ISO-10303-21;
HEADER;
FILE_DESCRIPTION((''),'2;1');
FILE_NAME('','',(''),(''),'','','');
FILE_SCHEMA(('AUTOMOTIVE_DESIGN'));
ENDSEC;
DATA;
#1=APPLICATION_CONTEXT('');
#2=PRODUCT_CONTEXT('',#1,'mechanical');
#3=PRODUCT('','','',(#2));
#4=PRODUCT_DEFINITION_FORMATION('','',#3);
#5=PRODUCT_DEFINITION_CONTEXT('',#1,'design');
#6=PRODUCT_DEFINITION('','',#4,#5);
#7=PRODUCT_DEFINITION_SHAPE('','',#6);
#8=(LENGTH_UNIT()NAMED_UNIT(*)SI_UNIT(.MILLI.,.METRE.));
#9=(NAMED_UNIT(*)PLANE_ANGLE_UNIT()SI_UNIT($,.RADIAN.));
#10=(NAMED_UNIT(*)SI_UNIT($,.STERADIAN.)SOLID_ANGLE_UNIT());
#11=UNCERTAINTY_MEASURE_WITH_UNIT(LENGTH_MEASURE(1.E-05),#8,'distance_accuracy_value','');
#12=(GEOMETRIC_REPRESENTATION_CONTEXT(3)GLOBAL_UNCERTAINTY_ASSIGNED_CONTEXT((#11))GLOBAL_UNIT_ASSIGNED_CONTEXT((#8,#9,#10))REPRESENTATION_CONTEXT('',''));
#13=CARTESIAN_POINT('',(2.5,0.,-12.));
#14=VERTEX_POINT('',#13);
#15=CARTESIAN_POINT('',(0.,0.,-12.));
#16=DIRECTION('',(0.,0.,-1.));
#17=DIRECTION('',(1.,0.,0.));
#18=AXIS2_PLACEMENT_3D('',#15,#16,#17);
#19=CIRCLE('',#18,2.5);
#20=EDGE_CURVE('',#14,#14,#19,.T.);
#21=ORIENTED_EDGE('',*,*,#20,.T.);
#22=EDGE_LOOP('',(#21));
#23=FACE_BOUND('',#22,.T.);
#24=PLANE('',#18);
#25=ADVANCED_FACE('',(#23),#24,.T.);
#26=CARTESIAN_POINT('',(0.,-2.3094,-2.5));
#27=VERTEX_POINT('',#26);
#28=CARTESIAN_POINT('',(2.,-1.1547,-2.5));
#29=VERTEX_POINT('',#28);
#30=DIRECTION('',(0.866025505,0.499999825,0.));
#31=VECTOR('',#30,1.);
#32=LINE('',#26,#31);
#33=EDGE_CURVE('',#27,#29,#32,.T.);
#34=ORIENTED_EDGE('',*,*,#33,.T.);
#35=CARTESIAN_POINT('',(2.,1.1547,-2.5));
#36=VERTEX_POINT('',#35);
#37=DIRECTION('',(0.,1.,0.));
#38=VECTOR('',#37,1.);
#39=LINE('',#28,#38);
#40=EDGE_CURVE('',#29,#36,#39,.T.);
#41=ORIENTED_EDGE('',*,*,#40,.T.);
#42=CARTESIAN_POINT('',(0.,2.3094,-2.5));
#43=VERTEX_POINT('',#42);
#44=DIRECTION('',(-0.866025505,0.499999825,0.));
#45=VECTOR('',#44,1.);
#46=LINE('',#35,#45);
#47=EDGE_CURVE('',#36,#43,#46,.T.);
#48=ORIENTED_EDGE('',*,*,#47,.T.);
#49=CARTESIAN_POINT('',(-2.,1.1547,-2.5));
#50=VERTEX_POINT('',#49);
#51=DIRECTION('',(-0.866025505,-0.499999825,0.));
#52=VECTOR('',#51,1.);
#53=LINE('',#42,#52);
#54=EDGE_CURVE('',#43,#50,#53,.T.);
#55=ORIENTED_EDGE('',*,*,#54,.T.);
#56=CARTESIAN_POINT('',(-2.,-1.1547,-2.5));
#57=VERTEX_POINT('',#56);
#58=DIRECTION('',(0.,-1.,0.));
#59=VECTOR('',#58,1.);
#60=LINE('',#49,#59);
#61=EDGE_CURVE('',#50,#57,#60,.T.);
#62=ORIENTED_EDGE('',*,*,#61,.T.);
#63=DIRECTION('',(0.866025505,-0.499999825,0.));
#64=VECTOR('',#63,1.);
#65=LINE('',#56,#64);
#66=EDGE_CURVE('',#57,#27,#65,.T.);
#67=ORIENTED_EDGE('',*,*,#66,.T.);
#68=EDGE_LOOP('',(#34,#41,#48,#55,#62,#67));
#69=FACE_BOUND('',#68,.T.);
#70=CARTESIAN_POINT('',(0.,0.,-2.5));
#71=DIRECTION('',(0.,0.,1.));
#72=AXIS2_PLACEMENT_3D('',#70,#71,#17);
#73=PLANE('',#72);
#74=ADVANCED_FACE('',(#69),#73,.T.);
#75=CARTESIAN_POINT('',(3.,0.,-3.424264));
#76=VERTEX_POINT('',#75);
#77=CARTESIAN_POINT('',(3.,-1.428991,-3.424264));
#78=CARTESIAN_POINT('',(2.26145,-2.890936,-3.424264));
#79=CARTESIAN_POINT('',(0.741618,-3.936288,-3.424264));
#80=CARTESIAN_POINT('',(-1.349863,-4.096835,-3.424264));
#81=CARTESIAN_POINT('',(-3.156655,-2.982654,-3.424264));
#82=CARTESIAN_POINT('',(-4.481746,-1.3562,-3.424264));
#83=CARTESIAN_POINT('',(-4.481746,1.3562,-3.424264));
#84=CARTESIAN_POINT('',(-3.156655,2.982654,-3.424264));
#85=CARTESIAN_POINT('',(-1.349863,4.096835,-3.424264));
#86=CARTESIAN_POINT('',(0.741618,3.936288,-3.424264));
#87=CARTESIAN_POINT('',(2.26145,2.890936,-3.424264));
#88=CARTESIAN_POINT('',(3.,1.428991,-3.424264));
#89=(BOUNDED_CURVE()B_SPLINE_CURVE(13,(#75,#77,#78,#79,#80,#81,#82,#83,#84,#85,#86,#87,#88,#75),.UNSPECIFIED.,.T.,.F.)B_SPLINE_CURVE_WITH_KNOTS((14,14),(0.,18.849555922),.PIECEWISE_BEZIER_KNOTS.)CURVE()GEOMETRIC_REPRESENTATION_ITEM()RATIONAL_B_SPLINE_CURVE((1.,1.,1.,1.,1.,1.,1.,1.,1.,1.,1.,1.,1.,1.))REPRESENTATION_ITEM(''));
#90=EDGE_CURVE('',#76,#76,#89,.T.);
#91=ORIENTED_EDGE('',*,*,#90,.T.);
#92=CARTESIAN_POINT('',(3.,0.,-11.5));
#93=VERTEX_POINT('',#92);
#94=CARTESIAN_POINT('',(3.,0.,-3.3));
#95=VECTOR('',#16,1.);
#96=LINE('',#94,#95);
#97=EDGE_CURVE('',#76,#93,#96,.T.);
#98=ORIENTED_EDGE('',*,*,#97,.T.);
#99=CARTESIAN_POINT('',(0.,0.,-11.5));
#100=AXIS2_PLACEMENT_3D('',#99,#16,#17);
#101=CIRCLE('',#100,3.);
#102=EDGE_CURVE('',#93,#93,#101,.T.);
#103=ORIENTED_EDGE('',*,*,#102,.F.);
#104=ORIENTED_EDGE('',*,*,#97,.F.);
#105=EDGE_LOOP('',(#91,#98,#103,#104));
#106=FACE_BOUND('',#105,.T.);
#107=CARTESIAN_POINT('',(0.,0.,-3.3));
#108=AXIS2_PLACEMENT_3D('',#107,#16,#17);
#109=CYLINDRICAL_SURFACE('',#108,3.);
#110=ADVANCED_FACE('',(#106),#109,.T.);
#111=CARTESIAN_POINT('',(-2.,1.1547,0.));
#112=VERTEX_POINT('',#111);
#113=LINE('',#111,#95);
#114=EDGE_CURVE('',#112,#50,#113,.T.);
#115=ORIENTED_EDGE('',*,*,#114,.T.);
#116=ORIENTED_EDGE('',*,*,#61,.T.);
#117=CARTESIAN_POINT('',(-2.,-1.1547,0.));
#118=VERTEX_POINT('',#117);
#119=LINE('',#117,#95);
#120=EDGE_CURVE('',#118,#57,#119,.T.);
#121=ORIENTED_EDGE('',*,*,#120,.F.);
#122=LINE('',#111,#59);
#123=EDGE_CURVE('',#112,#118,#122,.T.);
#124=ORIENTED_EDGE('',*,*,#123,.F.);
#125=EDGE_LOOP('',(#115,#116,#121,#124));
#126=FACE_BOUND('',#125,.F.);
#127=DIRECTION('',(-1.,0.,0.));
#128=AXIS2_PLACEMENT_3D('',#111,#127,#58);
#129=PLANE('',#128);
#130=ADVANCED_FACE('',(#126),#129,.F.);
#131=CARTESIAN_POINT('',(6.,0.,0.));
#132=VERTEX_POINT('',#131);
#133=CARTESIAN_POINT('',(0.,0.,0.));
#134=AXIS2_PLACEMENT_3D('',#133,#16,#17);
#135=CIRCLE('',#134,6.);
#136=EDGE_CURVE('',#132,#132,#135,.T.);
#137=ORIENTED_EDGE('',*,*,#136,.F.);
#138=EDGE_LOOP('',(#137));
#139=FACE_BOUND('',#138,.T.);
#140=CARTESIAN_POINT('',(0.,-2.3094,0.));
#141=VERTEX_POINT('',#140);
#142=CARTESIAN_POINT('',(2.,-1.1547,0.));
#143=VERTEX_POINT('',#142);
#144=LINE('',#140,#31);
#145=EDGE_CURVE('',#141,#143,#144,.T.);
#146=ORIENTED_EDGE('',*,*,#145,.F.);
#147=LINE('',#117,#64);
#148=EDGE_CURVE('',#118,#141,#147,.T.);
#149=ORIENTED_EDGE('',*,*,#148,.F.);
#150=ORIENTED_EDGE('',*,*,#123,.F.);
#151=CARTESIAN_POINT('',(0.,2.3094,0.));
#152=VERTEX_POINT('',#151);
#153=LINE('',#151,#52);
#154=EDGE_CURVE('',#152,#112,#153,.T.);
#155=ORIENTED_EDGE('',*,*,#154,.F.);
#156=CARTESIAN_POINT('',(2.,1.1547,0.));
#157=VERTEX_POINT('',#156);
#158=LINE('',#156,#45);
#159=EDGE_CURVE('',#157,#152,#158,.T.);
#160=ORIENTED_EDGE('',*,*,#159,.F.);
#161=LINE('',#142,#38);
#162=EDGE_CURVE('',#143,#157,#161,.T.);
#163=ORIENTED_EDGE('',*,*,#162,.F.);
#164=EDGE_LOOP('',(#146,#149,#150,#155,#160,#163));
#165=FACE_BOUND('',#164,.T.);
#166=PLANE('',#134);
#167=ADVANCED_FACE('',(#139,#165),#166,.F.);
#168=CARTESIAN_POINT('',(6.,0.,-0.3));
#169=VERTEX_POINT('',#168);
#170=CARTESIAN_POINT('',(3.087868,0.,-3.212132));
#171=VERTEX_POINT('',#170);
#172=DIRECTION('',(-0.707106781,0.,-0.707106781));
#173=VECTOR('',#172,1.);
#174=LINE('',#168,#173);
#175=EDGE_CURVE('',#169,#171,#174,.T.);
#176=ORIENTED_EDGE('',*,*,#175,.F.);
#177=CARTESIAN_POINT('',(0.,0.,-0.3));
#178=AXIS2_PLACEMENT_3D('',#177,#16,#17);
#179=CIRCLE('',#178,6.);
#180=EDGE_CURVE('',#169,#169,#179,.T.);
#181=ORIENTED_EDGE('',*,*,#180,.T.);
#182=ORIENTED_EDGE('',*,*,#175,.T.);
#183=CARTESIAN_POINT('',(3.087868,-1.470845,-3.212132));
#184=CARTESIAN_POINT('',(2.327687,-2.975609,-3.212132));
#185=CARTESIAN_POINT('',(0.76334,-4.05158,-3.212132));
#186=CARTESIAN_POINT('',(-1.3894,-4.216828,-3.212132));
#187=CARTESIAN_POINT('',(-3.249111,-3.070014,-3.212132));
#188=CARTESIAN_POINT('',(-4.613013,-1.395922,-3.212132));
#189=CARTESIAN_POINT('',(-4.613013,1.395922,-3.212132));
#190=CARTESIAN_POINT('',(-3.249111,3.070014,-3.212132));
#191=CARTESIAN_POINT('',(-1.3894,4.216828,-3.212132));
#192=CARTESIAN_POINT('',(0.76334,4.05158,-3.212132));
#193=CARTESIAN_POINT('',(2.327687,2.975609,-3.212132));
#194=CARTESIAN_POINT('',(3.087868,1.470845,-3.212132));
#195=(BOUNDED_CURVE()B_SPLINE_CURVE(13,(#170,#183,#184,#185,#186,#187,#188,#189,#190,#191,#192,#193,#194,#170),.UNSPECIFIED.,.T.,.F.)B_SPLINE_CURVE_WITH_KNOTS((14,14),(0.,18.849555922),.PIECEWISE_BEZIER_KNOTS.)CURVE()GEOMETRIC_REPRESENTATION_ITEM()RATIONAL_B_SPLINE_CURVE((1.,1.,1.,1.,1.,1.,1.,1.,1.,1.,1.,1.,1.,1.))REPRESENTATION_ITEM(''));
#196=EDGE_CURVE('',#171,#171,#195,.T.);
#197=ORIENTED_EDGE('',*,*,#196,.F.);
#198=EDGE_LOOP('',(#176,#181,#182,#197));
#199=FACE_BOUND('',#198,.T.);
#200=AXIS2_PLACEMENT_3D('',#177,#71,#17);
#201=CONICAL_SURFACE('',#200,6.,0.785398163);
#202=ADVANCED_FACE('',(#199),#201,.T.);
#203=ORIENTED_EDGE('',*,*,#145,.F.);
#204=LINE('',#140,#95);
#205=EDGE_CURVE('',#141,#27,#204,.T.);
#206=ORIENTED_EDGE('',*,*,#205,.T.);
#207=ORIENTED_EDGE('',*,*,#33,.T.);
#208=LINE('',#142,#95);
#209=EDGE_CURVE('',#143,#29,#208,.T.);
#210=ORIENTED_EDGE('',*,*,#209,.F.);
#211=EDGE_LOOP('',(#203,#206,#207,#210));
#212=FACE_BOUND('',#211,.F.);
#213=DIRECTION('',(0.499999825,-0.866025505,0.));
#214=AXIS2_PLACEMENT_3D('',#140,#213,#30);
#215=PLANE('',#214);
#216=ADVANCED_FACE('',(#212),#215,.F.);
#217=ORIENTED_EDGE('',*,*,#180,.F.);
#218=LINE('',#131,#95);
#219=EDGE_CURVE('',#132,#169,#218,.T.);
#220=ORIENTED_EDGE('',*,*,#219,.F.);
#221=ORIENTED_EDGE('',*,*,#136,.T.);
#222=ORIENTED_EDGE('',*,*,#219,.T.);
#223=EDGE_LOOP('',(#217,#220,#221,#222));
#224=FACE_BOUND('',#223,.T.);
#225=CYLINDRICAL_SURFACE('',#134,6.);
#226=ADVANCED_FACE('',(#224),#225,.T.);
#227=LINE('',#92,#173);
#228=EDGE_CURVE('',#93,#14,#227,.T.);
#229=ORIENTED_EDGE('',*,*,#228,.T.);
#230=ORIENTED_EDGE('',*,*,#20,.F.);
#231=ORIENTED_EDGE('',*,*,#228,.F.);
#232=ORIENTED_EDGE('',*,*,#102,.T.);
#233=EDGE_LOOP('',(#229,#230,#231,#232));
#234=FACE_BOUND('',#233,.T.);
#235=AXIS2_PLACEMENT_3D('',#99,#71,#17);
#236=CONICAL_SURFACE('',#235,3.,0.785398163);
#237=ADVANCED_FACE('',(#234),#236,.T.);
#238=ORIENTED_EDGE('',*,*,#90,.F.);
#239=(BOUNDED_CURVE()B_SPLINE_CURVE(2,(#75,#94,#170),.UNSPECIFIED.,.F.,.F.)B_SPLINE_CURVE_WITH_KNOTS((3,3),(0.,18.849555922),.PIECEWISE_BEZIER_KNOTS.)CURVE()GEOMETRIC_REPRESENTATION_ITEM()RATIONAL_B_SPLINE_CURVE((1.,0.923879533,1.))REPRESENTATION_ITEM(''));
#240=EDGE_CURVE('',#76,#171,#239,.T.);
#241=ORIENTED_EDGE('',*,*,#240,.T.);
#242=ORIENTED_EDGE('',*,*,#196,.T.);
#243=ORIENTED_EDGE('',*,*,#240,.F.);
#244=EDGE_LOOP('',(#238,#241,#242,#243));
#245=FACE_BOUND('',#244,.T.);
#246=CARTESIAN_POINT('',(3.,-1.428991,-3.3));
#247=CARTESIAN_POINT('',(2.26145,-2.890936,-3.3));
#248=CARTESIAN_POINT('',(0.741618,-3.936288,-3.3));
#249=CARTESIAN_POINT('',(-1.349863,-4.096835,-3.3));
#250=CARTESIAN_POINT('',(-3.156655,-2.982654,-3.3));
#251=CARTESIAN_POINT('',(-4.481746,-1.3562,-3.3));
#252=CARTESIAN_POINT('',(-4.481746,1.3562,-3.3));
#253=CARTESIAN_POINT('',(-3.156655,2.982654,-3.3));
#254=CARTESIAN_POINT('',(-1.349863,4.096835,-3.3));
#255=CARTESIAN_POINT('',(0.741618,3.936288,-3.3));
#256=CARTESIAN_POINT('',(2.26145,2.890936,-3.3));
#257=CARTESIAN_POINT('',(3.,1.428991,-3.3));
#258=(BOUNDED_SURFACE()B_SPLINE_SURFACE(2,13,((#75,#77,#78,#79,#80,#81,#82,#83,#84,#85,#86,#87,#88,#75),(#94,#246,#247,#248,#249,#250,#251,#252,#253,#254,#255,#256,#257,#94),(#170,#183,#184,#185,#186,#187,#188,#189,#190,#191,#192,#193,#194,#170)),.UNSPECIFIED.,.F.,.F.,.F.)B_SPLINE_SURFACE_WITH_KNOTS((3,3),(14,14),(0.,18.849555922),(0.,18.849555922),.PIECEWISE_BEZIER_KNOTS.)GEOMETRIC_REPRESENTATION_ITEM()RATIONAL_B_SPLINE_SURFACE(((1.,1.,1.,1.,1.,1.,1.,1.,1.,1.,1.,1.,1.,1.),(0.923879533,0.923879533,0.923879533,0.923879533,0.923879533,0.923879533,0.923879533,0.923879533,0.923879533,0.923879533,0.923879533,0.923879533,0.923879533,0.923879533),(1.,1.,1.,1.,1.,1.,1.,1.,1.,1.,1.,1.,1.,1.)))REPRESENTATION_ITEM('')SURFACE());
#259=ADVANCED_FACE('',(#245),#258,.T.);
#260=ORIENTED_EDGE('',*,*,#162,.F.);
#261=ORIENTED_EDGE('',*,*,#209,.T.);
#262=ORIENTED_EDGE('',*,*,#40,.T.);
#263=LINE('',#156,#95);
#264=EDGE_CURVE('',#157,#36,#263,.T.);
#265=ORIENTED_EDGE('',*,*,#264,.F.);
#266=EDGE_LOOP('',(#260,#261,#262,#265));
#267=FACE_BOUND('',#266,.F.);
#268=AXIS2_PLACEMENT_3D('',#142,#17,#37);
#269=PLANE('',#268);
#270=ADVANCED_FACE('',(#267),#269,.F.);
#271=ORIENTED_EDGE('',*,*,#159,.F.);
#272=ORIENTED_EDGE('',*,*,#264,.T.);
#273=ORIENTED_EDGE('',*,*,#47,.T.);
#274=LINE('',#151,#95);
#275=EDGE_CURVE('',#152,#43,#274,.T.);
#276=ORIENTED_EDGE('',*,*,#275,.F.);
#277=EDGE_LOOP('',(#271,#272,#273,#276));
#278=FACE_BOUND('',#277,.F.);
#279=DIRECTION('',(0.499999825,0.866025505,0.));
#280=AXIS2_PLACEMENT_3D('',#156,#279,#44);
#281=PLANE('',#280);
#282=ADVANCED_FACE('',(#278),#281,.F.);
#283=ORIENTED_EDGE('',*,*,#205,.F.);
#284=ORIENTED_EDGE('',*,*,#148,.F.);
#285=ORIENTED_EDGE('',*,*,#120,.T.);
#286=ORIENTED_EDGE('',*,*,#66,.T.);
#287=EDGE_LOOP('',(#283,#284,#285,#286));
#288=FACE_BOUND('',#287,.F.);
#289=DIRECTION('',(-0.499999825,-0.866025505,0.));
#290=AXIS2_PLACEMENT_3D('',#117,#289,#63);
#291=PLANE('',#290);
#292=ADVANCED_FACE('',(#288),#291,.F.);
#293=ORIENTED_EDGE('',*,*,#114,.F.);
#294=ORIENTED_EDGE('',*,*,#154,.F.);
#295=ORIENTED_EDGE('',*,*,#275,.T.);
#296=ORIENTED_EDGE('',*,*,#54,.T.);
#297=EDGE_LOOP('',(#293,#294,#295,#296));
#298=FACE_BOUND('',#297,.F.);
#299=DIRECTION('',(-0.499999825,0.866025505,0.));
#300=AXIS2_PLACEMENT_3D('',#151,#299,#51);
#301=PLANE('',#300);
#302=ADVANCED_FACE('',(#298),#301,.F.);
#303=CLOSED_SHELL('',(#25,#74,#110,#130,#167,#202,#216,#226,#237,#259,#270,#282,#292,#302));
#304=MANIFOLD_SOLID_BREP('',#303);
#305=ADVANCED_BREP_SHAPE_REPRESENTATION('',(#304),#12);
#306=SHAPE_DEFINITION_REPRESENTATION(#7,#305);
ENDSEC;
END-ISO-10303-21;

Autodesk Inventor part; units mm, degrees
ref_plane "YZ Plane" through (0, 0, 0) normal (1, 0, 0) x (0, 1, 0)
sketch "Sketch1" plane through (0, 0, 0) normal (0, 1, 0) x (-1, 0, 0)
  point P0 (0, 0)
sketch "Sketch2" plane through (0, 0, 0) normal (0, 1, 0) x (-1, 0, 0)
  line L0 (-3, -12) -> (0, -12)
  line L1 (-3, -3.3) -> (-3, -12)
  line L2 (-6, -0.3) -> (-3, -3.3)
  line L3 (-6, 0) -> (-6, -0.3)
  line L4 (0, 0) -> (-6, 0)
  line L5 (0, -12) -> (0, 0)
  line L6 (0, -12) -> (0, 0)
  line L7 (0, -14.4) -> (0, 2.4) projected
  line L8 (1.2, 0) -> (-7.2, 0) projected
  dimension "d3" = 6
  dimension "d5" = 3
  dimension "d7" = 12
  dimension "ParC" = 0.3
  dimension "d22" = 0
  dimension "d23" = 0
  dimension "d43" = 45
revolve "Revolution1" add sketch "Sketch2" angle 360 about axis through (0, 0, -12) along (0, 0, -1)
sketch "Sketch3" plane through (0, 0, 0) normal (0, 0, 1) x (1, 0, 0)
  line L0 (-2, 1.1547) -> (-2, -1.1547)
  line L1 (0, 2.3094) -> (-2, 1.1547)
  line L2 (2, 1.1547) -> (0, 2.3094)
  line L3 (2, -1.1547) -> (2, 1.1547)
  line L4 (0, -2.3094) -> (2, -1.1547)
  line L5 (-2, -1.1547) -> (0, -2.3094)
  circle A0 centre (0, 0) radius 2 construction
  circle A1 centre (0, 0) radius 3 construction
  dimension "d11" = 4
  dimension "d13" = 120
  dimension "d15" = 120
extrude "Extrusion1" cut sketch "Sketch3" against normal blind 2.5
fillet "Fillet1" radius 0.3 1 edges at (-3, 0, -3.3)
chamfer "Chamfer1" distance 0.5 angle 45 1 edges at (-3, 0, -12) measured on face at (2.4612, -1.7154, -9.1414)
thread "Thread1" size "M6x1" class "6g" standard "ISO Metric profile" length 6.7
ref_plane "MSC_PF1" through (0, 0, 0) normal (1, 0, 0) x (0, 1, 0)
ref_plane "MSC_PT1" through (0, 0, 0) normal (0, 0, -1) x (-1, 0, 0)
equation "\"d18\" = r"
equation "\"d19\" = 0.5 * PTC"
equation "\"d39\" = 0.5 * PTC"
equation "\"d3\" = 0.5 * dk"
equation "\"d5\" = 0.5 * NND"
equation "\"d7\" = NLG"
equation "\"d43\" = 0.5 * ang"
equation "\"d11\" = ParS"
equation "\"d16\" = ParT"
equation "\"NND\" = 6"
equation "\"PTC\" = 1"
equation "\"dk\" = 12"
equation "\"ParK\" = 3.3"
equation "\"ParS\" = 4"
equation "\"ParT\" = 2.5"
equation "\"r\" = 0.3"
equation "\"NLG\" = 12"
equation "\"ang\" = 90deg"
equation "\"THREADDIA\" = NND"
properties part number "DIN 7991 - M6x12" material "Steel, Mild"
